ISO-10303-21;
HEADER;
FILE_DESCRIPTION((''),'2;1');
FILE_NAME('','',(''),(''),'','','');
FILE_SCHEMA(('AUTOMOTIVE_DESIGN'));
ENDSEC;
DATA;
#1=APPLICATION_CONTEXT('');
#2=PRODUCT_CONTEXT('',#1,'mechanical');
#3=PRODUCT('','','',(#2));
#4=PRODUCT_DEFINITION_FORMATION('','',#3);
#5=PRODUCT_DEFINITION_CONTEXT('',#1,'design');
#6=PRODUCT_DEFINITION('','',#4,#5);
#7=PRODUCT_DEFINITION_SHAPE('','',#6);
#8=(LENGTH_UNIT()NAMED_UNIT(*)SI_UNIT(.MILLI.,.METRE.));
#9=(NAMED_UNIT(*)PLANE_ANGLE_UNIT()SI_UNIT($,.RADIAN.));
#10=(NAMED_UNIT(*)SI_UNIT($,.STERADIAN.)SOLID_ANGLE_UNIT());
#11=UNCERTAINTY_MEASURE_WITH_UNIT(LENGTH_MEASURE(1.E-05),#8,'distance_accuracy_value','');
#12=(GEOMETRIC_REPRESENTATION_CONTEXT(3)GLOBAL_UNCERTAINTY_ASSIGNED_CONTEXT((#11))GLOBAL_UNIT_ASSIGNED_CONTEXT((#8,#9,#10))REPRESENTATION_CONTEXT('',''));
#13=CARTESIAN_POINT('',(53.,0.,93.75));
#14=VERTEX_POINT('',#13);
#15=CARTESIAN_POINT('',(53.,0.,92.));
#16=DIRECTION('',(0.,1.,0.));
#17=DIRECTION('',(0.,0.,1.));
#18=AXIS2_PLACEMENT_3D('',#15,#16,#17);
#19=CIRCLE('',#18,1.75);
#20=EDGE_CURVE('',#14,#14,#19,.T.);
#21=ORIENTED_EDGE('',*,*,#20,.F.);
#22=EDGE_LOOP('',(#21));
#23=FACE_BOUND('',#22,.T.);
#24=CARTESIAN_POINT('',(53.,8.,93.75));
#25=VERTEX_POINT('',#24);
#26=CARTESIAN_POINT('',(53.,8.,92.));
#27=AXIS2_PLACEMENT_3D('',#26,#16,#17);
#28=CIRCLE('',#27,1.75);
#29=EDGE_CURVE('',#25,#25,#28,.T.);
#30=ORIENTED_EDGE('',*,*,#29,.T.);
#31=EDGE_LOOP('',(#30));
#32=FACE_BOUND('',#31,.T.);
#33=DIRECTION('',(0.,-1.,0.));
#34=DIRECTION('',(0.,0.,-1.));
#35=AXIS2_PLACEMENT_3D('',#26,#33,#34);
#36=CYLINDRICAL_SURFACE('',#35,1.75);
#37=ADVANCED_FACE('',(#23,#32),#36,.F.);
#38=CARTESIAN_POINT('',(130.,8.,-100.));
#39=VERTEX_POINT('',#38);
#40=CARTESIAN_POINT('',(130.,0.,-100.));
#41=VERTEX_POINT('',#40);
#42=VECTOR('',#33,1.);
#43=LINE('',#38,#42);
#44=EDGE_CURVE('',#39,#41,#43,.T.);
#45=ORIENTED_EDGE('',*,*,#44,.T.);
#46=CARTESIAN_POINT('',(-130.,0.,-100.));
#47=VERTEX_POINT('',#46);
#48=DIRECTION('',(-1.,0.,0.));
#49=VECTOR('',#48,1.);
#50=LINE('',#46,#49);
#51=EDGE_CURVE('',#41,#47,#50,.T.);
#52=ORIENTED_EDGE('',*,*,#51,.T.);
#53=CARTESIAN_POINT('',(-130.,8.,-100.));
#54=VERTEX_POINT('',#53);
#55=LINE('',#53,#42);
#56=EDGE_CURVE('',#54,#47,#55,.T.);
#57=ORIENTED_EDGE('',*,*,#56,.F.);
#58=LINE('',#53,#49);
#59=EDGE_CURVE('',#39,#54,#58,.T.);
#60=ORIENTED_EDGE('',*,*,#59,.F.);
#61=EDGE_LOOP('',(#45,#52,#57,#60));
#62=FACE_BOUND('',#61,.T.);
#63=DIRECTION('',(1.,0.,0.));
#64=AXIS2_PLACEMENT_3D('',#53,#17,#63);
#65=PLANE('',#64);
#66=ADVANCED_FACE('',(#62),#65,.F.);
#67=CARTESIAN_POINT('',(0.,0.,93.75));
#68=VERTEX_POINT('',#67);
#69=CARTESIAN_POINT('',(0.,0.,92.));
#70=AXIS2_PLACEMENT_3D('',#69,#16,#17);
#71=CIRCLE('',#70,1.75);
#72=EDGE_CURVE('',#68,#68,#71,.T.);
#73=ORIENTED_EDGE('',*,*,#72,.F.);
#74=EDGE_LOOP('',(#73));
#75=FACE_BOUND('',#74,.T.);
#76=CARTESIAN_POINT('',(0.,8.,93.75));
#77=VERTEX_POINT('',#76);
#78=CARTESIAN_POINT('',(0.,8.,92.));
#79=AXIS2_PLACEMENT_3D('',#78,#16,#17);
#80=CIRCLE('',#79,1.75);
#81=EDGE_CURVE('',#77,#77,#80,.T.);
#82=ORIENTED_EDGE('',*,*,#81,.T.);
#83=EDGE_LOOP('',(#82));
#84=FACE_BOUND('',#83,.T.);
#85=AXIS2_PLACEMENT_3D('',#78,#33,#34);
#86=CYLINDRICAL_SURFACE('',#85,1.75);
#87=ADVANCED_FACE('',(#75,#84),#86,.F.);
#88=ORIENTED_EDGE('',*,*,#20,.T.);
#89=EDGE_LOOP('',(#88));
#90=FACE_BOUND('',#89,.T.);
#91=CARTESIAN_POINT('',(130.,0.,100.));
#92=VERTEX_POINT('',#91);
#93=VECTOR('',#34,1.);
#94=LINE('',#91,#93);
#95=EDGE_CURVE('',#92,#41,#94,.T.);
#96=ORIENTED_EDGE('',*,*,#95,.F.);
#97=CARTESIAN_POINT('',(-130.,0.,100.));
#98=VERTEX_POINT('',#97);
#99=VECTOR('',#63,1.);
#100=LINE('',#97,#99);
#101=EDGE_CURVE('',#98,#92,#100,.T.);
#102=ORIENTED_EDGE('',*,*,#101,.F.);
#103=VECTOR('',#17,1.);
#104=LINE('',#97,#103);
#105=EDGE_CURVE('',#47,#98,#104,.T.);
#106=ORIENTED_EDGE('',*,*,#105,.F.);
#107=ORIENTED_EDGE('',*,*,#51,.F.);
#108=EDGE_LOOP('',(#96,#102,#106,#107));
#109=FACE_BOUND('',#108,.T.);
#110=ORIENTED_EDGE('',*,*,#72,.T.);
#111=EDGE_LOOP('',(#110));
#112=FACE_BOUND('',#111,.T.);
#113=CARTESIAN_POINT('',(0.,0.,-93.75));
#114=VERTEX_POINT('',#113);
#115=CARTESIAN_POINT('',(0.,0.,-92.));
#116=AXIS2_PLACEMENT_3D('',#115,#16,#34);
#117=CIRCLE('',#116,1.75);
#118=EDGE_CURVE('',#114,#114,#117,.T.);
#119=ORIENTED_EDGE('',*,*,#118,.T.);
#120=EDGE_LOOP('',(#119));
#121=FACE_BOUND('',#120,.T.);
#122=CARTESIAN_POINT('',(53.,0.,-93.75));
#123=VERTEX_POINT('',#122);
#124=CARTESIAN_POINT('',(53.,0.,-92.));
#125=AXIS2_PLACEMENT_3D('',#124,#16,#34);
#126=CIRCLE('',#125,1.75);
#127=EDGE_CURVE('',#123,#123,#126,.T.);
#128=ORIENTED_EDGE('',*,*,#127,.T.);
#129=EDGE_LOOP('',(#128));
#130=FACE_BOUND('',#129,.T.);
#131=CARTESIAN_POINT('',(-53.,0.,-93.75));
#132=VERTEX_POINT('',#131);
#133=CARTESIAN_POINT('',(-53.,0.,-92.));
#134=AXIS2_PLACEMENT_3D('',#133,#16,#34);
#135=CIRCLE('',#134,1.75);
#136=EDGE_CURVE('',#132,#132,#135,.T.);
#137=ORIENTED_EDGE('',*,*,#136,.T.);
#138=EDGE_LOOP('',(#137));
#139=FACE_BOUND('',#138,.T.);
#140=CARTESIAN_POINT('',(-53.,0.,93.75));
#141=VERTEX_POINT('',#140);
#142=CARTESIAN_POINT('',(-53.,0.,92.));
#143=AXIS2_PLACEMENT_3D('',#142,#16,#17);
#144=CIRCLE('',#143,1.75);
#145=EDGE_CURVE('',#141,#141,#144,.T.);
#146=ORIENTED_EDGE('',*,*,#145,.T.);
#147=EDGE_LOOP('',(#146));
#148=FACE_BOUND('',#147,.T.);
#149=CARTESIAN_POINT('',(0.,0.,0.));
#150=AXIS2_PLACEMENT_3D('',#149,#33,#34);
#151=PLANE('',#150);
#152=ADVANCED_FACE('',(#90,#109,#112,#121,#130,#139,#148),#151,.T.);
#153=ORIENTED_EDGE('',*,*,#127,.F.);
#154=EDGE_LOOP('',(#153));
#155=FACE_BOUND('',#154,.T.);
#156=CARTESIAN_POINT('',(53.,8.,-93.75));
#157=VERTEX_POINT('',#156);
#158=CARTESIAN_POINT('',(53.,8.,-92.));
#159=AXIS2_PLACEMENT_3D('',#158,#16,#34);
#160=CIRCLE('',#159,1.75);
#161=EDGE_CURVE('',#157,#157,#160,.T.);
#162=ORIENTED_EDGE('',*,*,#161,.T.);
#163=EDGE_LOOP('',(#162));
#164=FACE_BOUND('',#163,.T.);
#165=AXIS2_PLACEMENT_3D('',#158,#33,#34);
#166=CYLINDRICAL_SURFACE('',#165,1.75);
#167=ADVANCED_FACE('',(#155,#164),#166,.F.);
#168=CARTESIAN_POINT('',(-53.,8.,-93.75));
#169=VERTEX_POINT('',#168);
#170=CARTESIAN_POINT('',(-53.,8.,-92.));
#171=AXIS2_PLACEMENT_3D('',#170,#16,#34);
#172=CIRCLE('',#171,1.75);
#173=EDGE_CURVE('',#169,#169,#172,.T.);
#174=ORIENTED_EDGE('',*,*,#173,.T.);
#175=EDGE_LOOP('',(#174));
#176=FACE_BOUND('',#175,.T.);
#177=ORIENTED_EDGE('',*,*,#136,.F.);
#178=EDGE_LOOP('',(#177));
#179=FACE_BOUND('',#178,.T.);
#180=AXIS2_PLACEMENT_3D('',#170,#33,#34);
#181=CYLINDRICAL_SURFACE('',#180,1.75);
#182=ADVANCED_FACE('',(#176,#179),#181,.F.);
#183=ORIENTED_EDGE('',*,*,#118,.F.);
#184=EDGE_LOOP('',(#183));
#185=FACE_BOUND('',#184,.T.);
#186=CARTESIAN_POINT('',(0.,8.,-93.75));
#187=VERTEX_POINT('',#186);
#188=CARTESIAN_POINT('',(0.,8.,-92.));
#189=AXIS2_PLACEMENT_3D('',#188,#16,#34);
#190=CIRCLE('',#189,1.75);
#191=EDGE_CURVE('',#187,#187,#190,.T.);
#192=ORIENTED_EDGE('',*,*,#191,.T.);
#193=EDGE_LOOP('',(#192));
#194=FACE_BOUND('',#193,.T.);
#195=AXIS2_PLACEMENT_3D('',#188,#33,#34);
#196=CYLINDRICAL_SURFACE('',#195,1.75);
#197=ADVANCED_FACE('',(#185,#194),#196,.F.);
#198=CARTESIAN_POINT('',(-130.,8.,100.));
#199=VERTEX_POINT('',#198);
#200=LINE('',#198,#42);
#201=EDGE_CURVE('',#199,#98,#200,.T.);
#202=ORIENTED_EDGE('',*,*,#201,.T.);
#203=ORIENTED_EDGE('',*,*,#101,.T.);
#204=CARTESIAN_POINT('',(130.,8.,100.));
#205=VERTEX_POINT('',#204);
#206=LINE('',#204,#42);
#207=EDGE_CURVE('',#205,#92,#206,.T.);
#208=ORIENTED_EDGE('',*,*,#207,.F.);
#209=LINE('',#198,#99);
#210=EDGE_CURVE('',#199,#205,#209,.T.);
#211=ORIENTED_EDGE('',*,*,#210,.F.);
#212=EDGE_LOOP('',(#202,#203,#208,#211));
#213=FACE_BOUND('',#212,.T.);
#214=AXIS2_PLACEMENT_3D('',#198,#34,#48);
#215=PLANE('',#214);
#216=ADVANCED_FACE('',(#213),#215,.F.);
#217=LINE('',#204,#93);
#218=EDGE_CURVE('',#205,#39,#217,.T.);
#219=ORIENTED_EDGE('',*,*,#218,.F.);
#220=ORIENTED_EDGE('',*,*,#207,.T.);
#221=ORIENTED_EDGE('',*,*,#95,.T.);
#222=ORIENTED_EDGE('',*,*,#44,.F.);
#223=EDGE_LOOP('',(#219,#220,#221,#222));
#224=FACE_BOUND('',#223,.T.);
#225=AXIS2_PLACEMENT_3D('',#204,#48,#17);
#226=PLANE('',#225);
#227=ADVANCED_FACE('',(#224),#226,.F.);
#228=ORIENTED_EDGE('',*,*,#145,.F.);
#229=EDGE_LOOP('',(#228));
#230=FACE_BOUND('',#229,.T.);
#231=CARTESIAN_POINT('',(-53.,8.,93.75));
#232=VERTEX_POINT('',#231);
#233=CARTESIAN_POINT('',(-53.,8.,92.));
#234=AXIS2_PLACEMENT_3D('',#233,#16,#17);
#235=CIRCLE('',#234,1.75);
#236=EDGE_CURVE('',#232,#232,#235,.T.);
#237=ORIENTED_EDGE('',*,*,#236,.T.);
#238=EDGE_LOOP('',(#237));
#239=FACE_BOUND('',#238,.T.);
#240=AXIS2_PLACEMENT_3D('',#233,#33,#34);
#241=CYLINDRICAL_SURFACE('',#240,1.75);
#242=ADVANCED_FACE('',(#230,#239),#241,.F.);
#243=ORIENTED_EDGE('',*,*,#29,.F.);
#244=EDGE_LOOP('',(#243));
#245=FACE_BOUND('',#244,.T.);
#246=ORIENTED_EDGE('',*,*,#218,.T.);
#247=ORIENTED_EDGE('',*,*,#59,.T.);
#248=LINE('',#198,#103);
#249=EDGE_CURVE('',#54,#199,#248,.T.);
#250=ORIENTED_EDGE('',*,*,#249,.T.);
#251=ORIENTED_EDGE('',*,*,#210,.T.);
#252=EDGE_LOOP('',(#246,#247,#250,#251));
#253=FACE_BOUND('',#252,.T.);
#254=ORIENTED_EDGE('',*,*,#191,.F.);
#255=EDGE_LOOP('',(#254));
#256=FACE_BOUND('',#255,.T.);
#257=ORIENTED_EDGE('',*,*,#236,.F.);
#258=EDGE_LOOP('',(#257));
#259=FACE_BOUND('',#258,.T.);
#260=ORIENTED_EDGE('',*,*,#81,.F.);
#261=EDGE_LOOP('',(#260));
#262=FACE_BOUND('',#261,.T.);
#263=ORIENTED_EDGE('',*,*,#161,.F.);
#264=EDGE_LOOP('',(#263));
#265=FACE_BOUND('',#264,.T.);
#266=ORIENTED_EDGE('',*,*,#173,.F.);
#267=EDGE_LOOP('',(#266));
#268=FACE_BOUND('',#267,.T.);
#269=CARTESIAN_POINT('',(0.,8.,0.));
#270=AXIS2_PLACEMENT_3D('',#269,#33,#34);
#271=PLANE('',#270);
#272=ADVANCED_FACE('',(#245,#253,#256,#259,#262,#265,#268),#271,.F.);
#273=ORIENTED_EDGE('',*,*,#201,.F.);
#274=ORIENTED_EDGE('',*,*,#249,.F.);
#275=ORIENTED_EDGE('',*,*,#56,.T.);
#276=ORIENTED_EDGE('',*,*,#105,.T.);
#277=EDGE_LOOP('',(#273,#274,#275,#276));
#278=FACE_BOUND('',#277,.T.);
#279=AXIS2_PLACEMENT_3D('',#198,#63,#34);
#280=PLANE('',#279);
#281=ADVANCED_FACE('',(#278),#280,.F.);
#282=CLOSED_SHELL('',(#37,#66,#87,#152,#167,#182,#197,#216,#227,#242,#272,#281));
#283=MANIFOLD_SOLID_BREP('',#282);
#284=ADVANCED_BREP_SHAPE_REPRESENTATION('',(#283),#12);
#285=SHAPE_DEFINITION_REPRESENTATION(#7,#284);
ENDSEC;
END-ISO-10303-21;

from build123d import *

# Parameters (mm, degrees)
SKIZZE1_W                       = 260
SKIZZE1_H                       = 200
SKIZZE1_R                       = 1.75
AUFSATZ_LINEAR_AUSTRAGEN1_DEPTH = 8


with BuildPart() as part:
    # Skizze1 → Aufsatz-Linear austragen1 (new body)
    with BuildSketch(Plane(origin=(0, 0, 0), x_dir=(1, 0, 0), z_dir=(0, 1, 0))):
        Rectangle(SKIZZE1_W, SKIZZE1_H)
        with Locations(Location((-53, -92, 0), (0, 0, 270))):
            Circle(SKIZZE1_R, mode=Mode.SUBTRACT)
        with Locations(Location((53, -92, 0), (0, 0, 270))):
            Circle(SKIZZE1_R, mode=Mode.SUBTRACT)
        with Locations(Location((0, -92, 0), (0, 0, 270))):
            Circle(SKIZZE1_R, mode=Mode.SUBTRACT)
        with Locations(Location((0, 92, 0), (0, 0, 90))):
            Circle(SKIZZE1_R, mode=Mode.SUBTRACT)
        with Locations(Location((53, 92, 0), (0, 0, 90))):
            Circle(SKIZZE1_R, mode=Mode.SUBTRACT)
        with Locations(Location((-53, 92, 0), (0, 0, 90))):
            Circle(SKIZZE1_R, mode=Mode.SUBTRACT)
    extrude(amount=AUFSATZ_LINEAR_AUSTRAGEN1_DEPTH)


solid = part.part
